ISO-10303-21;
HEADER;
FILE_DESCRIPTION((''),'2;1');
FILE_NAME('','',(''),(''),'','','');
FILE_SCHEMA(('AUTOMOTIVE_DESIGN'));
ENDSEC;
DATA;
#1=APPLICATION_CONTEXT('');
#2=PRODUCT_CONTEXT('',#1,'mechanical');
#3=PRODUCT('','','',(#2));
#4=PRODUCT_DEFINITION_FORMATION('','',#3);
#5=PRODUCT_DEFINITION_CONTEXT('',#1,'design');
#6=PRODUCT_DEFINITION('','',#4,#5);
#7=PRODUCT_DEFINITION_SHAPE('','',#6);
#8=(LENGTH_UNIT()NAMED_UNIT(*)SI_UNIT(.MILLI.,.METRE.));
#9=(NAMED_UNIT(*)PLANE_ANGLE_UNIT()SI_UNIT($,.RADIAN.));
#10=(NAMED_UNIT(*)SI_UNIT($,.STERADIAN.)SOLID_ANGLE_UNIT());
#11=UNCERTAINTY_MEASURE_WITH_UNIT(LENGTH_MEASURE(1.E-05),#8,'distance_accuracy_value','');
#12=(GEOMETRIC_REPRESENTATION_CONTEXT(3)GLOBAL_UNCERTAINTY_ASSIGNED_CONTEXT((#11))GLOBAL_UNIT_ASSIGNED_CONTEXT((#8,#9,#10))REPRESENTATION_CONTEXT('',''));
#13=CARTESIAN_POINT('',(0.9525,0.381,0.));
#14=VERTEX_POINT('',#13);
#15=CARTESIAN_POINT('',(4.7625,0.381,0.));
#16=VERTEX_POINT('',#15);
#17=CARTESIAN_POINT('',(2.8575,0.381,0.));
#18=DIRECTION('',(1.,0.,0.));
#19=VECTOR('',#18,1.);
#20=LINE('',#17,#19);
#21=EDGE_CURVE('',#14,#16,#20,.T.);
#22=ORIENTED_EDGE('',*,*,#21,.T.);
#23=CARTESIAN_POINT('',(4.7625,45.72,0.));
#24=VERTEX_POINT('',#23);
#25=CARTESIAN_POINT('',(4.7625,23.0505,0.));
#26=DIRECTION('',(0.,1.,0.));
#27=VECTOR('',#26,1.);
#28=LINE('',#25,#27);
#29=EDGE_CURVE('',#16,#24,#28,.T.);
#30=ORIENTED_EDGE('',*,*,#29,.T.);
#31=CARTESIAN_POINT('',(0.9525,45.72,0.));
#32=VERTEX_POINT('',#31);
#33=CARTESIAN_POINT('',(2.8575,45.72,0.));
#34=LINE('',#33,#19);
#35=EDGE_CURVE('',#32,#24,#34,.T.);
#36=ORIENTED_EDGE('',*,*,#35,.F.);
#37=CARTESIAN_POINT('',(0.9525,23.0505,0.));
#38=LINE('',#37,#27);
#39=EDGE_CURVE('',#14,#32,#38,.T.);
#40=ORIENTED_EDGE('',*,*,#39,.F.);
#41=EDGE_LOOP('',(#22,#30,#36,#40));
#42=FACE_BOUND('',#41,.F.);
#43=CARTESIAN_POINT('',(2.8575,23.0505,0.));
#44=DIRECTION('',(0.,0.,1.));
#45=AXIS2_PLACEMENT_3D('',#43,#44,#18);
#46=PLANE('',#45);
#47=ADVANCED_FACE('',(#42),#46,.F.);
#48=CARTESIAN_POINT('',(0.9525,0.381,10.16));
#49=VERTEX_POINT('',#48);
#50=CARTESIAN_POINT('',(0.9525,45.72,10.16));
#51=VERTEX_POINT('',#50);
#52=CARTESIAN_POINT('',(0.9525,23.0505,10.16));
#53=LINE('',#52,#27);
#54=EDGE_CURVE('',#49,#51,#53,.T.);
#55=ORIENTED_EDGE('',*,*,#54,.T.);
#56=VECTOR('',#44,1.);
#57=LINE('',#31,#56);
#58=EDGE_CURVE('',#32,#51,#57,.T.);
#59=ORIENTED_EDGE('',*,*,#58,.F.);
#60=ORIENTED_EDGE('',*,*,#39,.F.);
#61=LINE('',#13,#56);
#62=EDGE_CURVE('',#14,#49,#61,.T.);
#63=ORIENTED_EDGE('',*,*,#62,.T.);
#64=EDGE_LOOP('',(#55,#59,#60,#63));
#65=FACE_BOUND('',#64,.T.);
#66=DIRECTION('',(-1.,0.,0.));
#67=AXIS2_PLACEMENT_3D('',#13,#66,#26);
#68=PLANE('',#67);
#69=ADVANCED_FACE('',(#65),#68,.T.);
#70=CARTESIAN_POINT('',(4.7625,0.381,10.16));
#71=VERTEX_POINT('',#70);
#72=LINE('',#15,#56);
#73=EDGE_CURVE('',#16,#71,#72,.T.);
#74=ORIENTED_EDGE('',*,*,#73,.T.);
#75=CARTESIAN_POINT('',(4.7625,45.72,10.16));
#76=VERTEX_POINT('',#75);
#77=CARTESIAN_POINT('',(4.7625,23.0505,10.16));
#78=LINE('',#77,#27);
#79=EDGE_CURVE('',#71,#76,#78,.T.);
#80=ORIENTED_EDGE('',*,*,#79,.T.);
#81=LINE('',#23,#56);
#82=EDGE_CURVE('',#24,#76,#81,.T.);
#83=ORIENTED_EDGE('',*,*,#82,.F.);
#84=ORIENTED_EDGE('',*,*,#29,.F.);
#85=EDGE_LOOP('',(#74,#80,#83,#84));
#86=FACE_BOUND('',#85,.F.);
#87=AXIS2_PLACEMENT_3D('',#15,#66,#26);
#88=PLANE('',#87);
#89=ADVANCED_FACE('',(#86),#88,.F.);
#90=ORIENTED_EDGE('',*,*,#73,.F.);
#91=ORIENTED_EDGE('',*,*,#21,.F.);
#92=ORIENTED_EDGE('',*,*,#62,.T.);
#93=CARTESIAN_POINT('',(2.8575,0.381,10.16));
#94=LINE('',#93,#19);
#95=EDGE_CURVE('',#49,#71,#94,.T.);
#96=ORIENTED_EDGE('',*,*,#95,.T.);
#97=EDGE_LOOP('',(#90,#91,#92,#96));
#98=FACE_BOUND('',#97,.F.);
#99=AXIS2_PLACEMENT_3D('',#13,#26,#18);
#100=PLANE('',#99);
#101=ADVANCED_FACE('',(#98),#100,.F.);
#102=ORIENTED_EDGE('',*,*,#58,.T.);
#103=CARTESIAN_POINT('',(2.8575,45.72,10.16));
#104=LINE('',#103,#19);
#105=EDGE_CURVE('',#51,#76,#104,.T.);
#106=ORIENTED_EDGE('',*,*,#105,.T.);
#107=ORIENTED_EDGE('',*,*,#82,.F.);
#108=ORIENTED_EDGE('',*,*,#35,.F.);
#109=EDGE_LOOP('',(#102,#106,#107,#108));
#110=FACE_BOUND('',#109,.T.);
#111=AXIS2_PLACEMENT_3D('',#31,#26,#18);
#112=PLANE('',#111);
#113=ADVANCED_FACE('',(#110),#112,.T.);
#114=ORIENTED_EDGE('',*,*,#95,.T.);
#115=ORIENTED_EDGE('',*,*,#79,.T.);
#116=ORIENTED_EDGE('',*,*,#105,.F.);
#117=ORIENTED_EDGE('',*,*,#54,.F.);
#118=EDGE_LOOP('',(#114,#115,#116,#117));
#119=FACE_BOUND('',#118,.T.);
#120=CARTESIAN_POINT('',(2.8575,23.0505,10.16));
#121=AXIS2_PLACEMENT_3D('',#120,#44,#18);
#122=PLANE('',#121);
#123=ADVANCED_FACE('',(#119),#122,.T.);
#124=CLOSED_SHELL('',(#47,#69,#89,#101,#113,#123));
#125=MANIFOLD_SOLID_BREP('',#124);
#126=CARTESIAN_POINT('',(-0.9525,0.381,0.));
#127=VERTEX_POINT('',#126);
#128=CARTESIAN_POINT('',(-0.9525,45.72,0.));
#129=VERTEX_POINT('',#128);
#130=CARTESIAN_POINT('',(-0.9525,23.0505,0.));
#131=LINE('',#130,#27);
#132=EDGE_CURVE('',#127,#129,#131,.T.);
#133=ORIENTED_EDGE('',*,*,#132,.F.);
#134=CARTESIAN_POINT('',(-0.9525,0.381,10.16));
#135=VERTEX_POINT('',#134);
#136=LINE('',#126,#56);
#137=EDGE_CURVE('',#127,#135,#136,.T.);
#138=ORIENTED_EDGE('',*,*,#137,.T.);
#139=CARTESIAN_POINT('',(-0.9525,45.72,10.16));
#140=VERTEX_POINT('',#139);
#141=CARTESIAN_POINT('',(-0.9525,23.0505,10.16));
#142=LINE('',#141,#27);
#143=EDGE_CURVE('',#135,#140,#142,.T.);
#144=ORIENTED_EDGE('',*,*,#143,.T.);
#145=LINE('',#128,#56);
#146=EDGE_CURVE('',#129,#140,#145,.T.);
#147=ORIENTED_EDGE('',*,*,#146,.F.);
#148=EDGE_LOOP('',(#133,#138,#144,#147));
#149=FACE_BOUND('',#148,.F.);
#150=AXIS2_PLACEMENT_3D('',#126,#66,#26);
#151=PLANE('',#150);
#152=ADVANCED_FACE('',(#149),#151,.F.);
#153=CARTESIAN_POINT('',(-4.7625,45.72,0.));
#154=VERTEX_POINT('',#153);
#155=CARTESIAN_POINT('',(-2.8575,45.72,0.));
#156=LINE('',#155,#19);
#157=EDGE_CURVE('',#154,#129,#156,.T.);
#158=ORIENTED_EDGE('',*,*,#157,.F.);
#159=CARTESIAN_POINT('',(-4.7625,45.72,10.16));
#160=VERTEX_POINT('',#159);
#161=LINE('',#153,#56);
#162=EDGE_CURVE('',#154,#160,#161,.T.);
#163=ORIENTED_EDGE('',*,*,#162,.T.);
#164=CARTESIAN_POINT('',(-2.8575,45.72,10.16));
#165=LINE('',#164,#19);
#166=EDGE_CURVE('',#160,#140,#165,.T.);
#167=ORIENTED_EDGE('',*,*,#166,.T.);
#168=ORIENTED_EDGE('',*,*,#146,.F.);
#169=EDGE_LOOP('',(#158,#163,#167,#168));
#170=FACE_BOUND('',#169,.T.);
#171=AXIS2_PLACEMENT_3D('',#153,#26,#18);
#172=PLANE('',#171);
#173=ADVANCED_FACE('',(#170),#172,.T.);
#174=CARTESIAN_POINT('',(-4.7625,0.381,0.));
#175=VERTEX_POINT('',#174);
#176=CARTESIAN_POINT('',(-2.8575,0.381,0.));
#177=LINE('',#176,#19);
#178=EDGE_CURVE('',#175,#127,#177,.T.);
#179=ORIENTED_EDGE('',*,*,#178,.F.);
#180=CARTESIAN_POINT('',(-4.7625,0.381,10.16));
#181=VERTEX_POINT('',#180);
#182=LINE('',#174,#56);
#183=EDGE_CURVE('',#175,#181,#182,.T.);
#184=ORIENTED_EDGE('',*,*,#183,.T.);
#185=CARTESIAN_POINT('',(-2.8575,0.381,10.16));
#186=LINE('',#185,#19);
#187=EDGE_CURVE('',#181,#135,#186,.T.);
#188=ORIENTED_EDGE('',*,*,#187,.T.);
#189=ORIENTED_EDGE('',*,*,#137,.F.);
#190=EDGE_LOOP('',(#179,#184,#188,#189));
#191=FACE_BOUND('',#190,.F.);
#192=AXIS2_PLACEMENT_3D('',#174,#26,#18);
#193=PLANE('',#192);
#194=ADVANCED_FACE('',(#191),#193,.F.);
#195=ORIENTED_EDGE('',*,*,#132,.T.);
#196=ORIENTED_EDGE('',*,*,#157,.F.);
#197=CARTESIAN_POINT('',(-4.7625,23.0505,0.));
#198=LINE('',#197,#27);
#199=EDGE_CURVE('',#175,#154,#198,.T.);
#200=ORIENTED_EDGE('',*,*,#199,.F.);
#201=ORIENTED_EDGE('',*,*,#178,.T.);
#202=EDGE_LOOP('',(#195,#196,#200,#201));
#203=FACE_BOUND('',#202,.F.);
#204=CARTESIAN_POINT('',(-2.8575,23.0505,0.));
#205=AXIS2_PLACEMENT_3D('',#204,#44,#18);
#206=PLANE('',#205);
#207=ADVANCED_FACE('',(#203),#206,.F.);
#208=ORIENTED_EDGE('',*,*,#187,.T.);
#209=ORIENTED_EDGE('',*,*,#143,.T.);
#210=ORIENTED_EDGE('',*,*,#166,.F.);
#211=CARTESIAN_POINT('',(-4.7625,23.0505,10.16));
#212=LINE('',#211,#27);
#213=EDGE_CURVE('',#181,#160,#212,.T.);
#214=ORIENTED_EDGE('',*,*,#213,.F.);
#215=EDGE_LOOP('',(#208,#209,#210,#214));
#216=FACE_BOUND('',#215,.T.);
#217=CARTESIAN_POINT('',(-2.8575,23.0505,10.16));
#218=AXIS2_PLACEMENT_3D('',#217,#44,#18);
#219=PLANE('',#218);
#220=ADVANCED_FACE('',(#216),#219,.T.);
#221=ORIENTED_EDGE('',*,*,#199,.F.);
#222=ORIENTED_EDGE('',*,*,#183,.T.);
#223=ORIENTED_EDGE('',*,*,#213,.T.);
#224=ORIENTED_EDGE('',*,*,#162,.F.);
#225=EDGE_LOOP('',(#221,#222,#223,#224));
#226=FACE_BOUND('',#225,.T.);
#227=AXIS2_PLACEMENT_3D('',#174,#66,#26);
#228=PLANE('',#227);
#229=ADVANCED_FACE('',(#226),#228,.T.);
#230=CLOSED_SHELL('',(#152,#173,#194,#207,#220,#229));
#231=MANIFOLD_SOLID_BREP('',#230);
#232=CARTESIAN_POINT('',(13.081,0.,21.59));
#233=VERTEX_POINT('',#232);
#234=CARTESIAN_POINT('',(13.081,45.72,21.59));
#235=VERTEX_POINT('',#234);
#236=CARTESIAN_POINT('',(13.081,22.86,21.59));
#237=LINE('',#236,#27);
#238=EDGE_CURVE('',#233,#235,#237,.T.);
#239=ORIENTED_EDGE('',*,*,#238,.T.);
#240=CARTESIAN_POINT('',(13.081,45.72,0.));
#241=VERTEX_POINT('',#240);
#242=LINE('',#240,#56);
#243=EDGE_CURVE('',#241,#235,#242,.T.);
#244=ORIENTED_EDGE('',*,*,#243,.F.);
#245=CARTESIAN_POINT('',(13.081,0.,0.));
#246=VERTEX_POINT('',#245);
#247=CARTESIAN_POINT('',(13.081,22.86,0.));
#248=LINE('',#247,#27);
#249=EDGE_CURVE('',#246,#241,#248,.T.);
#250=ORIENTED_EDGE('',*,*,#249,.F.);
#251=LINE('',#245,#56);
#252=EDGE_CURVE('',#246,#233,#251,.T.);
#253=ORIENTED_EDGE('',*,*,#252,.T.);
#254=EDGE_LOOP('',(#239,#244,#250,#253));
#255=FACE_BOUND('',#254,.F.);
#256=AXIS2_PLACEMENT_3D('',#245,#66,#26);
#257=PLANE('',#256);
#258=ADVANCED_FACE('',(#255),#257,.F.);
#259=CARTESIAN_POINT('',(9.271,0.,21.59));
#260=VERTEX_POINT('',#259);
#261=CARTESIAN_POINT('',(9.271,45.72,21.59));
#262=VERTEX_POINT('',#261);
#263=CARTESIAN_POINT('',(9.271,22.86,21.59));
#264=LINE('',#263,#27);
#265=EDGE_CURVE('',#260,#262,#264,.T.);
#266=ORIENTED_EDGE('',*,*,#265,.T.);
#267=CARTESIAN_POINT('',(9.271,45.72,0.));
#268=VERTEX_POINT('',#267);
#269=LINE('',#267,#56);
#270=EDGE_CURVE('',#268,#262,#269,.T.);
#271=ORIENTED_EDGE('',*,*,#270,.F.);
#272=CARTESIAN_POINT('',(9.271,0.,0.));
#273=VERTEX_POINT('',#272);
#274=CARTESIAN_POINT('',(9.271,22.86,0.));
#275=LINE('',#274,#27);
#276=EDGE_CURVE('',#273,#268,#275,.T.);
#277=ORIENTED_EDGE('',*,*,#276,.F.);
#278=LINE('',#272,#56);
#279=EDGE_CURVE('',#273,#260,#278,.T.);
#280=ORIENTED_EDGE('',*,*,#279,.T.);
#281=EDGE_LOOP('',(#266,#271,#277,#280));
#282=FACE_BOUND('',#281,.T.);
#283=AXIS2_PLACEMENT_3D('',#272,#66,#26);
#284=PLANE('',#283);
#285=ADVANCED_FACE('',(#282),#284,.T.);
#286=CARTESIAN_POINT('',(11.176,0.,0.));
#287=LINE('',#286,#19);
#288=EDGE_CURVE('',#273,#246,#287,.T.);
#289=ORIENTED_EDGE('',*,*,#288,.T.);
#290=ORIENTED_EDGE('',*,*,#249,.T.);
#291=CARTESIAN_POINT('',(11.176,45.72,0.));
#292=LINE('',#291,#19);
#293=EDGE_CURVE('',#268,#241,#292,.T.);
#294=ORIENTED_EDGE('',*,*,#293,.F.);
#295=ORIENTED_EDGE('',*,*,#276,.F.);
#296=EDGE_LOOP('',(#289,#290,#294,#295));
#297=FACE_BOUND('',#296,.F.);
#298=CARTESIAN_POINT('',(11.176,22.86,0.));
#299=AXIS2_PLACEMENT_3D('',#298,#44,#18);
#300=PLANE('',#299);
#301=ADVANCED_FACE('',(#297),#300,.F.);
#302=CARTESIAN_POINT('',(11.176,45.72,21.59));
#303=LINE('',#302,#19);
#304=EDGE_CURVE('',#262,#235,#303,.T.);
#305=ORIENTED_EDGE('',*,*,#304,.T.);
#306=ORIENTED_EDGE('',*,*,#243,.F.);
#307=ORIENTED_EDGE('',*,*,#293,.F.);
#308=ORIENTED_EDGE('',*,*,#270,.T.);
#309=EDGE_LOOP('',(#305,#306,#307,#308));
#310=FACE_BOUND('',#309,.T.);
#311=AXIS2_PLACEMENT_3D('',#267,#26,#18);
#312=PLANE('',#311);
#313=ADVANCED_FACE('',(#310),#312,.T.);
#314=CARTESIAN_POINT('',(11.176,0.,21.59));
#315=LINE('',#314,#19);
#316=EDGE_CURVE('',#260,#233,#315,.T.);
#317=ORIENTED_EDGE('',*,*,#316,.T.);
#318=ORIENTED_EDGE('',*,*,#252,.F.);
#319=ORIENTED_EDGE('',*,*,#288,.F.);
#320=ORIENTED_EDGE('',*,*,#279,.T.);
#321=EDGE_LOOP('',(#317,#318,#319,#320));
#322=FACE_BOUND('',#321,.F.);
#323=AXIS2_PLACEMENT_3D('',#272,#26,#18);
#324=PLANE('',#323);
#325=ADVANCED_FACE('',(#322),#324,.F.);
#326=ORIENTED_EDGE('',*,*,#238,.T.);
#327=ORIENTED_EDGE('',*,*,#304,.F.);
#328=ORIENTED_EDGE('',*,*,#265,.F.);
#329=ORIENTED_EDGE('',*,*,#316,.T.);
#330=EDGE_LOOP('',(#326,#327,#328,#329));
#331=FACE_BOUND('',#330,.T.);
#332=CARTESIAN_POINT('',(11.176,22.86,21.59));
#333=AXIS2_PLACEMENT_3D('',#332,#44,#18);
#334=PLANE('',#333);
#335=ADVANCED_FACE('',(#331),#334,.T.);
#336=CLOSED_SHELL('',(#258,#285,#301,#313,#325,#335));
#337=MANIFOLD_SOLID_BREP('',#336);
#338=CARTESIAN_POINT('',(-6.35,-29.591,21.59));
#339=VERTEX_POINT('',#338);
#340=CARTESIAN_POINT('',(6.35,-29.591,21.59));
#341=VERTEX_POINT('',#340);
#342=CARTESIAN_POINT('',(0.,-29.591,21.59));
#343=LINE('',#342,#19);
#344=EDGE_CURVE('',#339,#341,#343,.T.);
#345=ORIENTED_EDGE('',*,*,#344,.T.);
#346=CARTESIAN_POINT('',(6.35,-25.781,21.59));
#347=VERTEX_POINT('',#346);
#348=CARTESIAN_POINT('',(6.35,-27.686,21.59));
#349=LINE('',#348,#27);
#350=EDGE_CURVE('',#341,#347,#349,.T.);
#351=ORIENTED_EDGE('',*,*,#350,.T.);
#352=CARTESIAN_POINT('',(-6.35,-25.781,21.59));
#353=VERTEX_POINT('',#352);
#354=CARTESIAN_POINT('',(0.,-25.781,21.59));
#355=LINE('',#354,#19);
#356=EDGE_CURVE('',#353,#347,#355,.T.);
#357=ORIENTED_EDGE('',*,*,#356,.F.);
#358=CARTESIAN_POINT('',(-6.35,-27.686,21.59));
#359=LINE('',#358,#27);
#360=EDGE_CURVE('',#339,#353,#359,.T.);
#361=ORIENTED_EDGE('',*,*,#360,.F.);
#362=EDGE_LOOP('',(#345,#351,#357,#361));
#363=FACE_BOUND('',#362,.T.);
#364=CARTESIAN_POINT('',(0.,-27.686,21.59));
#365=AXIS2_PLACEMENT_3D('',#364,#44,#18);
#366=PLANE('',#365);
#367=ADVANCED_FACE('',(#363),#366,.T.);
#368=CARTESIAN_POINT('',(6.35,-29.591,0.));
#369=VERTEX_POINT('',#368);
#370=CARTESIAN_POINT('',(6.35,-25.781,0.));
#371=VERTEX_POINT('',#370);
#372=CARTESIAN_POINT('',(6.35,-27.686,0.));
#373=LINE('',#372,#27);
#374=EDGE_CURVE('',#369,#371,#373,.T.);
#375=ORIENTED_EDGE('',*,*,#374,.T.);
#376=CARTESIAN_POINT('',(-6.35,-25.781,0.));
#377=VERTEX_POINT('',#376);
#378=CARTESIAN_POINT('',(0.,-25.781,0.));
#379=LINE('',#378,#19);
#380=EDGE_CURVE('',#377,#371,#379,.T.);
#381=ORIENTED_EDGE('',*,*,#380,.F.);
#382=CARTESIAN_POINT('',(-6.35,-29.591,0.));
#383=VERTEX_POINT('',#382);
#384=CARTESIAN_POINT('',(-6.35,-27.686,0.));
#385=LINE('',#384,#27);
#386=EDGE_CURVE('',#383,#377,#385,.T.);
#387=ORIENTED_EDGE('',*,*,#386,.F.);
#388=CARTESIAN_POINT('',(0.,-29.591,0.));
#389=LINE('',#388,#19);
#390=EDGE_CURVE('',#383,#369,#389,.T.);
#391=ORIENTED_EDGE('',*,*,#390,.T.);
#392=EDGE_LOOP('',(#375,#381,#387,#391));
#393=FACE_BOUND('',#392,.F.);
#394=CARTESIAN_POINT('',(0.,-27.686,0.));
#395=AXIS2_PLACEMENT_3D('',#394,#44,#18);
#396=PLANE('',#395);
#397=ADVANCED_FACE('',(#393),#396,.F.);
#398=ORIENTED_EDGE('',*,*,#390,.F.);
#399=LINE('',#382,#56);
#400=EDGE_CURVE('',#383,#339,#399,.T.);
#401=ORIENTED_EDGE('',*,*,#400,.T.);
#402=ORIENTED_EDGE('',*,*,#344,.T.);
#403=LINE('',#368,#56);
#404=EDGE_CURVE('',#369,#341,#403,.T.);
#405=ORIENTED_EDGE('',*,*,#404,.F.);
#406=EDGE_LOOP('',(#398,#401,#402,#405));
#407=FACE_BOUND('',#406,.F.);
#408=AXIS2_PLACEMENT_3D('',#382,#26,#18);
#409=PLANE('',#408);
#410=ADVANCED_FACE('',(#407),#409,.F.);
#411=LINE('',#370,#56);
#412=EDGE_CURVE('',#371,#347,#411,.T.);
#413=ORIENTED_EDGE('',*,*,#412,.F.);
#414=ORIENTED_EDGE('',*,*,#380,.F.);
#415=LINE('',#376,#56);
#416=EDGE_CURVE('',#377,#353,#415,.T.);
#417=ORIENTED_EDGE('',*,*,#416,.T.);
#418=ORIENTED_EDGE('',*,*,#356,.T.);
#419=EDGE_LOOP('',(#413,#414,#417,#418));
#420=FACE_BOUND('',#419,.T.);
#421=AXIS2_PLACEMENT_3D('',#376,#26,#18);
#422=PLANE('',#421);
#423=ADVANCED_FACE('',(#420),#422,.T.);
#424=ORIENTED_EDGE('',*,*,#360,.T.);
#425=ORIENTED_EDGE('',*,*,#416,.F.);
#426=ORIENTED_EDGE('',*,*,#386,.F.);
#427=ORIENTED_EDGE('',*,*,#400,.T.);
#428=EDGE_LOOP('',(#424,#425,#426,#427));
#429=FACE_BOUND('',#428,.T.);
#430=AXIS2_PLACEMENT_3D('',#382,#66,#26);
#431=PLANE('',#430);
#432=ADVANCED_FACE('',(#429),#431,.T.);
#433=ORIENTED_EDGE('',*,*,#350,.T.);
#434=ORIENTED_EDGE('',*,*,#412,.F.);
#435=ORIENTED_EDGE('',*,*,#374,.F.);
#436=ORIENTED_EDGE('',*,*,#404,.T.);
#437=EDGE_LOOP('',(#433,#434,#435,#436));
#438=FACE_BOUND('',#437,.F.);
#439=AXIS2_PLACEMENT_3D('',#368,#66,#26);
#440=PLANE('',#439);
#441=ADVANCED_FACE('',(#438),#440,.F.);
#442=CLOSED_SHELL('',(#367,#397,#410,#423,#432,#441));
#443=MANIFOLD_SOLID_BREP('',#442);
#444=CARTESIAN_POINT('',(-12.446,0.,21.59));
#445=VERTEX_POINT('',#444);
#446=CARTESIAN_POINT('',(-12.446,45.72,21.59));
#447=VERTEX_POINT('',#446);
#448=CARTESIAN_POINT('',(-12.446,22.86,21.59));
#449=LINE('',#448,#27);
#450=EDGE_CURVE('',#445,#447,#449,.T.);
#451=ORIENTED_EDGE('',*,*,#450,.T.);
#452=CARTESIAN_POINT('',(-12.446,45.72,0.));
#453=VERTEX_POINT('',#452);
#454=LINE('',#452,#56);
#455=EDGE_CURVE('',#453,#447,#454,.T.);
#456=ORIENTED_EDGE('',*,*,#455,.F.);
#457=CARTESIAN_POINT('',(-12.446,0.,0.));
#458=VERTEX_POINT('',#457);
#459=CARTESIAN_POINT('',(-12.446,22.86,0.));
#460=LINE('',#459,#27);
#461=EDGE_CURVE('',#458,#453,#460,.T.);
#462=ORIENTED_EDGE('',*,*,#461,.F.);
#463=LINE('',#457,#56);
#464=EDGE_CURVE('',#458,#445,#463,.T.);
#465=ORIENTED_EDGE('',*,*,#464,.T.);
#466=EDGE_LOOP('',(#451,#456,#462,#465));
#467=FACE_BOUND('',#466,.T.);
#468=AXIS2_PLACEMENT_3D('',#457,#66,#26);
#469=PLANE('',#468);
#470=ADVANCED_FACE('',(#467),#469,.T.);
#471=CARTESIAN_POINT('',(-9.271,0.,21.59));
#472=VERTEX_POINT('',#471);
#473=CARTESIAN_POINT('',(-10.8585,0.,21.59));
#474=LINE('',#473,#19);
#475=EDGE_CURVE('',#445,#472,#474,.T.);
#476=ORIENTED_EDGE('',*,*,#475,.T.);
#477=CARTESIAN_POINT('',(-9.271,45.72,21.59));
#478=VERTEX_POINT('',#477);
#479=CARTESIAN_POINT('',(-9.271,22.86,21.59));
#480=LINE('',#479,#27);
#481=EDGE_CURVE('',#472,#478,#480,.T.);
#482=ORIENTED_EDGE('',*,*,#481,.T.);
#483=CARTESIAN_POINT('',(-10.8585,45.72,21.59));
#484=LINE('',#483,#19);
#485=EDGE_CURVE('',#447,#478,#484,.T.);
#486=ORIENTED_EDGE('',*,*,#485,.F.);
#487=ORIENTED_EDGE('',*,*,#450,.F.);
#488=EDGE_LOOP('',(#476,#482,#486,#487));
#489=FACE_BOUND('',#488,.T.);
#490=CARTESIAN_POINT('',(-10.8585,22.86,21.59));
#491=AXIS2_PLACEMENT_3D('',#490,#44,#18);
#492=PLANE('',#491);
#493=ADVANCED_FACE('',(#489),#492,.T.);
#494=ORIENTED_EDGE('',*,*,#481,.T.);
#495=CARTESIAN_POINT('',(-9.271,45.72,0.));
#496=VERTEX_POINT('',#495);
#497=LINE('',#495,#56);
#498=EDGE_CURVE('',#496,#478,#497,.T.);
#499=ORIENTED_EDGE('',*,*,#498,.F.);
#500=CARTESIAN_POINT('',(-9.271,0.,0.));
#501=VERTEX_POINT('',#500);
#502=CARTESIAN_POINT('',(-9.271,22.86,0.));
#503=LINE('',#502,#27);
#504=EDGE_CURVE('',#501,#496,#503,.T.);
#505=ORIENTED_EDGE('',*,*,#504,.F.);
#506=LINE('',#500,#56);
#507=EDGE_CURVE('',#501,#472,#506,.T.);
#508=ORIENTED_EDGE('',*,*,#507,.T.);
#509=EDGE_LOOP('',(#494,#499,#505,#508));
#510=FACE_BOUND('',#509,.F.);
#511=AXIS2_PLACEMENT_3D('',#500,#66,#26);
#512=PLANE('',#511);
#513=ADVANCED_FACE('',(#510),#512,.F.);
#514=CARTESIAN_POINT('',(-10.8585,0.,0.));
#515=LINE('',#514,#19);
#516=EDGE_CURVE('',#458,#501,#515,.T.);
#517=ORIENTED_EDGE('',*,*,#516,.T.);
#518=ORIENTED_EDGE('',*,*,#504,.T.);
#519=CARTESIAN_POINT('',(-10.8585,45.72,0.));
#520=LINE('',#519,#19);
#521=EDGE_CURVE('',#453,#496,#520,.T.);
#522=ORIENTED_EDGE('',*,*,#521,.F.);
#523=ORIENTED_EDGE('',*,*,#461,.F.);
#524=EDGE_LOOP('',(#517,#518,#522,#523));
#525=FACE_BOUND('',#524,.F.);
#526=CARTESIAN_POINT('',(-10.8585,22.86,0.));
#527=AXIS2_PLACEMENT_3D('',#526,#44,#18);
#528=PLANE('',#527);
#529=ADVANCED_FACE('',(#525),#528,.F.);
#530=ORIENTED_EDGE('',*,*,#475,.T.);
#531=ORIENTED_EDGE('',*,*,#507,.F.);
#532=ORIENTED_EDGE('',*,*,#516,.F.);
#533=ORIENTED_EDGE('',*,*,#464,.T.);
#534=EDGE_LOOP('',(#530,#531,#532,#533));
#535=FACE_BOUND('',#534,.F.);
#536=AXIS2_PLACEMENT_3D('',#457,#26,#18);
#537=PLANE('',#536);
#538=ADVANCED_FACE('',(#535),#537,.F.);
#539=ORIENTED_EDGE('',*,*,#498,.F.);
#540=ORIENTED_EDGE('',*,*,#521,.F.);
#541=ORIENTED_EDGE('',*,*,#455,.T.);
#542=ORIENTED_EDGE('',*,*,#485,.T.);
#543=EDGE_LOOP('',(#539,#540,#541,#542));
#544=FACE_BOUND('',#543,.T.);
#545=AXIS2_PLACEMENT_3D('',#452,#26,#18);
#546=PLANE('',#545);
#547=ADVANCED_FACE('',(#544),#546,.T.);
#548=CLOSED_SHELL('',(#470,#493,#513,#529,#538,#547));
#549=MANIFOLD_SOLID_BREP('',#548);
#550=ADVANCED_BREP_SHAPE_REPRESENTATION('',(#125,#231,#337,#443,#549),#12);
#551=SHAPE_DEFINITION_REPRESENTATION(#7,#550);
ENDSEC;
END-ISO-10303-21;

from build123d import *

# Parameters (mm, degrees)
F1_W     = 12.7
F1_H     = 3.81
F1_W_2   = 3.175
F1_H_2   = 45.72
F1_W_3   = 3.81
F2_DEPTH = 21.59
F1_H_3   = 45.339
F3_DEPTH = 10.16


with BuildPart() as f2:
    # F1 (on Top) → F2 (new body)
    with BuildSketch(Plane.XY):
        with Locations((0, -27.686)):
            Rectangle(F1_W, F1_H)
        with Locations((-10.8585, 22.86)):
            Rectangle(F1_W_2, F1_H_2)
        with Locations((11.176, 22.86)):
            Rectangle(F1_W_3, F1_H_2)
    extrude(amount=F2_DEPTH)


with BuildPart() as f3:
    # F1 (on Top) → F3 (new body)
    with BuildSketch(Plane.XY):
        with Locations((-2.8575, 23.0505)):
            Rectangle(F1_W_3, F1_H_3)
        with Locations((2.8575, 23.0505)):
            Rectangle(F1_W_3, F1_H_3)
    extrude(amount=F3_DEPTH)


solid = Compound([f2.part, f3.part])
